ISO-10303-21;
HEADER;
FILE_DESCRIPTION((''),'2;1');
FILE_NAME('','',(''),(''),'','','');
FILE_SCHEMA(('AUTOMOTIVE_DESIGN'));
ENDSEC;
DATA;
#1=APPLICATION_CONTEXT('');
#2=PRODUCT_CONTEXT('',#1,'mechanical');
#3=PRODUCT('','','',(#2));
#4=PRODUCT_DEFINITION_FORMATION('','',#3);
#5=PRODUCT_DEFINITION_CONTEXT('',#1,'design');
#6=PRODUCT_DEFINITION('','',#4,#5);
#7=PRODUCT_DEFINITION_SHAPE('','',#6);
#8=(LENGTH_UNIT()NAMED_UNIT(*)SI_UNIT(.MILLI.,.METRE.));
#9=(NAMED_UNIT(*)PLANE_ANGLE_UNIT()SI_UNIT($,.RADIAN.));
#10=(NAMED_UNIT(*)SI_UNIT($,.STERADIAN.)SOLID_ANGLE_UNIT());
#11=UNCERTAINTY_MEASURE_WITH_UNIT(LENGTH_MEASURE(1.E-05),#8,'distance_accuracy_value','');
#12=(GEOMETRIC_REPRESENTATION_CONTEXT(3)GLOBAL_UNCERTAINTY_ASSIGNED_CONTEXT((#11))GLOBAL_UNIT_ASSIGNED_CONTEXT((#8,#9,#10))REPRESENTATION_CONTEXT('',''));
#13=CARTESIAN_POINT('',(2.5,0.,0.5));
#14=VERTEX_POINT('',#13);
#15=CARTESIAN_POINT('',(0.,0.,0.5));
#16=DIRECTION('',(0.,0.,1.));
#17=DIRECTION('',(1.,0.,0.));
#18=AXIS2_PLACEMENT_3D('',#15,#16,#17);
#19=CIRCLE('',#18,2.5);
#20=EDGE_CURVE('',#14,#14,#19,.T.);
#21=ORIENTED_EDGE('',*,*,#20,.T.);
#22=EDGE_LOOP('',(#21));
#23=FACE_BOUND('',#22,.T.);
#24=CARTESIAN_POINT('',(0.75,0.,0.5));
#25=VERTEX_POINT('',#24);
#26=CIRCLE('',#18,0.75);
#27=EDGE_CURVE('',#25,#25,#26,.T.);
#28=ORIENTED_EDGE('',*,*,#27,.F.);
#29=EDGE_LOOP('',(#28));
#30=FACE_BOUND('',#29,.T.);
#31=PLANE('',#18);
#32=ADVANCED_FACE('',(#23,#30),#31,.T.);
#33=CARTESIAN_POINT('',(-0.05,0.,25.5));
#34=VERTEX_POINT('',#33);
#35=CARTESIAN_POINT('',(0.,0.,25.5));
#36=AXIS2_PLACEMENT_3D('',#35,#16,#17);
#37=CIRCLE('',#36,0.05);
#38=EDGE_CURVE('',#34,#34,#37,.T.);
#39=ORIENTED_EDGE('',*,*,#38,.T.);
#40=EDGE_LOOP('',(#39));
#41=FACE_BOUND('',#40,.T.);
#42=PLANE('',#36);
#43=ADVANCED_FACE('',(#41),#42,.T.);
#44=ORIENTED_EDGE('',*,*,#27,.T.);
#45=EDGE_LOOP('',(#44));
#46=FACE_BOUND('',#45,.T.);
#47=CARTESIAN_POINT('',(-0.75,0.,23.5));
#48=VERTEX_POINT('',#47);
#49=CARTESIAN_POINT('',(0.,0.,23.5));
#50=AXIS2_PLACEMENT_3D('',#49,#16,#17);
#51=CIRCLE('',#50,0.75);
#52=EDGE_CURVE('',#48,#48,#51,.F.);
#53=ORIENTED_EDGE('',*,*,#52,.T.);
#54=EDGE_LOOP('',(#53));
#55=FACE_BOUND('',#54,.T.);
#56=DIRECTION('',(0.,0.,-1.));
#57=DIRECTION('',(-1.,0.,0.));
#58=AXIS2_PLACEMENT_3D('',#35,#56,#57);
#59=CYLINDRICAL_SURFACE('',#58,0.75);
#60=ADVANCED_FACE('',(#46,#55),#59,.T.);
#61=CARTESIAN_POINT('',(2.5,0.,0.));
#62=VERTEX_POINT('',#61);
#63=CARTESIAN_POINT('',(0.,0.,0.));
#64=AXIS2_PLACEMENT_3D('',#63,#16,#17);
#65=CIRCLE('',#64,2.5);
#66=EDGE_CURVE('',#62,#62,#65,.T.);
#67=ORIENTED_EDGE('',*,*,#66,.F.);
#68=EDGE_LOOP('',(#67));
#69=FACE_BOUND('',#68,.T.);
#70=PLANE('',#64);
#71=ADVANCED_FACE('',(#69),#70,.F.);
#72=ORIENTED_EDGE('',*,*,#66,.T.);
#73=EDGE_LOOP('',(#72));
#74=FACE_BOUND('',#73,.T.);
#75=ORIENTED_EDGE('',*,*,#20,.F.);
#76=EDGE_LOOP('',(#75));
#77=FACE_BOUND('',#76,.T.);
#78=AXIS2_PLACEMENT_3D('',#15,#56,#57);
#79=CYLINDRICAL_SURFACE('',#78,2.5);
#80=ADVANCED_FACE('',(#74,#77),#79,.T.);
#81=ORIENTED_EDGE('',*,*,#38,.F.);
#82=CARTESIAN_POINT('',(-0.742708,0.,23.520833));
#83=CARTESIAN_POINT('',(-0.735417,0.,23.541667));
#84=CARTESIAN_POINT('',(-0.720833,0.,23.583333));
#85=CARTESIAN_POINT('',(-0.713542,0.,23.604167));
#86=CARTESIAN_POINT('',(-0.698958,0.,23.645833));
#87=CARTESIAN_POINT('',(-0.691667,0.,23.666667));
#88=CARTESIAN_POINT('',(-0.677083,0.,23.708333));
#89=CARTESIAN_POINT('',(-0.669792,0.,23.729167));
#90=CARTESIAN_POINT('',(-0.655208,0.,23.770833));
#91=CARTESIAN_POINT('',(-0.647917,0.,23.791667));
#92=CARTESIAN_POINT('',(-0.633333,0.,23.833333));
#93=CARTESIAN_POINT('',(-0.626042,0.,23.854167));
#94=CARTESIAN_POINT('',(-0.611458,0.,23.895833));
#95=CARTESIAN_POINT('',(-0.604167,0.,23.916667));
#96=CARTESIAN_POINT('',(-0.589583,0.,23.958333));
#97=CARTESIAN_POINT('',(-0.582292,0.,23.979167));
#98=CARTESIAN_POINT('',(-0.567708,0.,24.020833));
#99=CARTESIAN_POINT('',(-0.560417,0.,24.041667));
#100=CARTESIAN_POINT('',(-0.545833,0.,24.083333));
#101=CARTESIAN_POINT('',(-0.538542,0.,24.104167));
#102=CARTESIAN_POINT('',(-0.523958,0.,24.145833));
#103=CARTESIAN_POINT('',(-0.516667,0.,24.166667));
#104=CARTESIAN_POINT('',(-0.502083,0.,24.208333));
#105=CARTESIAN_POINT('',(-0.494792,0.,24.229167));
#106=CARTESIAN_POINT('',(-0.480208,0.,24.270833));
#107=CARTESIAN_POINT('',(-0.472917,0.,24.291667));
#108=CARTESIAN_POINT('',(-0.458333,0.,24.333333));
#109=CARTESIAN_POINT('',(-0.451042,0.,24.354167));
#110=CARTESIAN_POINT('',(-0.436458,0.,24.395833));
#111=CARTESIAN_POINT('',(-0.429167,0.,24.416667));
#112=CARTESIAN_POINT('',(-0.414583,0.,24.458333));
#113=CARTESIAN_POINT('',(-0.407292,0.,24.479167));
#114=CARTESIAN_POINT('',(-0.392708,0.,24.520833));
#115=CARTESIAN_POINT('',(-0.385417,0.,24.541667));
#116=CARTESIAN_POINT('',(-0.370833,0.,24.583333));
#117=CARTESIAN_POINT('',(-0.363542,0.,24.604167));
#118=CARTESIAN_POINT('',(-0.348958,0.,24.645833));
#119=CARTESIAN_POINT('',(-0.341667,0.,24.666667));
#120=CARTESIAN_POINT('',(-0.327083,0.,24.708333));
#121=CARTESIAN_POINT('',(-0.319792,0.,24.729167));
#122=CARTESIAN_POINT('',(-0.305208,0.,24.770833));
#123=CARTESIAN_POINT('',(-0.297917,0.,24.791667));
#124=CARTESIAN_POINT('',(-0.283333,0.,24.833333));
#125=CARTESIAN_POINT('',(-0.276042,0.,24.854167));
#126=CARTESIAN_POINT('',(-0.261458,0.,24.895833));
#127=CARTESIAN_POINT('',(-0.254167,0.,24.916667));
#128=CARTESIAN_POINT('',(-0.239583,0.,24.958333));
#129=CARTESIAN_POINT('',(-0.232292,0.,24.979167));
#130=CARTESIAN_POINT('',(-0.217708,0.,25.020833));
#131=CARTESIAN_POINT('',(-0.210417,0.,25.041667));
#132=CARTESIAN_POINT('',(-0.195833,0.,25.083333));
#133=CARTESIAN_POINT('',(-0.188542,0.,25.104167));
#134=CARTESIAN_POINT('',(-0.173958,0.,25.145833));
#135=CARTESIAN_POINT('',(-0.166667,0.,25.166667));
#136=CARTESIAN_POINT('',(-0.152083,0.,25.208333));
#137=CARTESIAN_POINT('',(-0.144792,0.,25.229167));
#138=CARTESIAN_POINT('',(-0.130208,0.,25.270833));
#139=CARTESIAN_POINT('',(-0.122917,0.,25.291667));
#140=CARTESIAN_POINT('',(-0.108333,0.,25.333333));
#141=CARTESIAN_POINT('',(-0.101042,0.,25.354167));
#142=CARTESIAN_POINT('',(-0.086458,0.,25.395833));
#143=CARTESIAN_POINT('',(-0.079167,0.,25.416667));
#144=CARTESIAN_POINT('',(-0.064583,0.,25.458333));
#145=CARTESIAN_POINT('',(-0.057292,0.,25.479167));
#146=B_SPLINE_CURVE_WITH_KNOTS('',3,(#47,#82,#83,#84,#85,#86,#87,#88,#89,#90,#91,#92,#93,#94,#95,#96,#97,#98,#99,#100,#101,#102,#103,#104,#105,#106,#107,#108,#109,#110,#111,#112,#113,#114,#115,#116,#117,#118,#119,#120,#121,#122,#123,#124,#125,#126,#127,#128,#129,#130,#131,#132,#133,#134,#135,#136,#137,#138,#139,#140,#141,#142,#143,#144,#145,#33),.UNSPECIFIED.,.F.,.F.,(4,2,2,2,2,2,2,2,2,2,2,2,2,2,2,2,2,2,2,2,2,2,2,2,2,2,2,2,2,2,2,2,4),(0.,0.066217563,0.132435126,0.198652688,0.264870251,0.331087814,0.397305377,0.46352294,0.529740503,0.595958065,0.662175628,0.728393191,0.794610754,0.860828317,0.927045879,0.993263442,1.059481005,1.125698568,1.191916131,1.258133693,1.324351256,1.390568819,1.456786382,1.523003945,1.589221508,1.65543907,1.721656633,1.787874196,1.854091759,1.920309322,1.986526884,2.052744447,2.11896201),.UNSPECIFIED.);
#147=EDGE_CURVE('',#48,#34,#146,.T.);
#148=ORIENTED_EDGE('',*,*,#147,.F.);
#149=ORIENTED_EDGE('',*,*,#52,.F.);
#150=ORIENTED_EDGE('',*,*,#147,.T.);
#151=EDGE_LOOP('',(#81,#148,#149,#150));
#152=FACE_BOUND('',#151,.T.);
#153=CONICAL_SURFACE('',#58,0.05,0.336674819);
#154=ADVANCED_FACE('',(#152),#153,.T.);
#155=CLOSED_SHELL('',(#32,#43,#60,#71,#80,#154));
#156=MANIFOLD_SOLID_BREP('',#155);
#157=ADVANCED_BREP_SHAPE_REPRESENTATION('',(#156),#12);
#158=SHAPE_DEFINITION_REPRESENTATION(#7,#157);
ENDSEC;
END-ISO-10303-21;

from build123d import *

# Parameters (mm, degrees)
SKETCH1_R      = 2.5
EXTRUDE1_DEPTH = 0.5
SKETCH2_R      = 0.75
EXTRUDE2_DEPTH = 25
CHAMFER1_SIZE  = 2
CHAMFER1_SIZE2 = 0.7


with BuildPart() as part:
    # Sketch1 → Extrude1 (new body)
    with BuildSketch(Plane.XY):
        Circle(SKETCH1_R)
    extrude(amount=EXTRUDE1_DEPTH)

    # Sketch2 → Extrude2 (add)
    with BuildSketch(Plane.XY.offset(0.5)):
        Circle(SKETCH2_R)
    extrude(amount=EXTRUDE2_DEPTH)

    # Chamfer1
    chamfer1_edges = [part.edges().sort_by_distance(p)[0] for p in [
        (-0.75, 0, 25.5),
    ]]
    chamfer1_side = [part.faces().sort_by_distance(p)[0] for p in [
        (-0.75, 0, 13),
    ]]
    chamfer(chamfer1_edges, length=CHAMFER1_SIZE, length2=CHAMFER1_SIZE2, reference=chamfer1_side[0])


solid = part.part
